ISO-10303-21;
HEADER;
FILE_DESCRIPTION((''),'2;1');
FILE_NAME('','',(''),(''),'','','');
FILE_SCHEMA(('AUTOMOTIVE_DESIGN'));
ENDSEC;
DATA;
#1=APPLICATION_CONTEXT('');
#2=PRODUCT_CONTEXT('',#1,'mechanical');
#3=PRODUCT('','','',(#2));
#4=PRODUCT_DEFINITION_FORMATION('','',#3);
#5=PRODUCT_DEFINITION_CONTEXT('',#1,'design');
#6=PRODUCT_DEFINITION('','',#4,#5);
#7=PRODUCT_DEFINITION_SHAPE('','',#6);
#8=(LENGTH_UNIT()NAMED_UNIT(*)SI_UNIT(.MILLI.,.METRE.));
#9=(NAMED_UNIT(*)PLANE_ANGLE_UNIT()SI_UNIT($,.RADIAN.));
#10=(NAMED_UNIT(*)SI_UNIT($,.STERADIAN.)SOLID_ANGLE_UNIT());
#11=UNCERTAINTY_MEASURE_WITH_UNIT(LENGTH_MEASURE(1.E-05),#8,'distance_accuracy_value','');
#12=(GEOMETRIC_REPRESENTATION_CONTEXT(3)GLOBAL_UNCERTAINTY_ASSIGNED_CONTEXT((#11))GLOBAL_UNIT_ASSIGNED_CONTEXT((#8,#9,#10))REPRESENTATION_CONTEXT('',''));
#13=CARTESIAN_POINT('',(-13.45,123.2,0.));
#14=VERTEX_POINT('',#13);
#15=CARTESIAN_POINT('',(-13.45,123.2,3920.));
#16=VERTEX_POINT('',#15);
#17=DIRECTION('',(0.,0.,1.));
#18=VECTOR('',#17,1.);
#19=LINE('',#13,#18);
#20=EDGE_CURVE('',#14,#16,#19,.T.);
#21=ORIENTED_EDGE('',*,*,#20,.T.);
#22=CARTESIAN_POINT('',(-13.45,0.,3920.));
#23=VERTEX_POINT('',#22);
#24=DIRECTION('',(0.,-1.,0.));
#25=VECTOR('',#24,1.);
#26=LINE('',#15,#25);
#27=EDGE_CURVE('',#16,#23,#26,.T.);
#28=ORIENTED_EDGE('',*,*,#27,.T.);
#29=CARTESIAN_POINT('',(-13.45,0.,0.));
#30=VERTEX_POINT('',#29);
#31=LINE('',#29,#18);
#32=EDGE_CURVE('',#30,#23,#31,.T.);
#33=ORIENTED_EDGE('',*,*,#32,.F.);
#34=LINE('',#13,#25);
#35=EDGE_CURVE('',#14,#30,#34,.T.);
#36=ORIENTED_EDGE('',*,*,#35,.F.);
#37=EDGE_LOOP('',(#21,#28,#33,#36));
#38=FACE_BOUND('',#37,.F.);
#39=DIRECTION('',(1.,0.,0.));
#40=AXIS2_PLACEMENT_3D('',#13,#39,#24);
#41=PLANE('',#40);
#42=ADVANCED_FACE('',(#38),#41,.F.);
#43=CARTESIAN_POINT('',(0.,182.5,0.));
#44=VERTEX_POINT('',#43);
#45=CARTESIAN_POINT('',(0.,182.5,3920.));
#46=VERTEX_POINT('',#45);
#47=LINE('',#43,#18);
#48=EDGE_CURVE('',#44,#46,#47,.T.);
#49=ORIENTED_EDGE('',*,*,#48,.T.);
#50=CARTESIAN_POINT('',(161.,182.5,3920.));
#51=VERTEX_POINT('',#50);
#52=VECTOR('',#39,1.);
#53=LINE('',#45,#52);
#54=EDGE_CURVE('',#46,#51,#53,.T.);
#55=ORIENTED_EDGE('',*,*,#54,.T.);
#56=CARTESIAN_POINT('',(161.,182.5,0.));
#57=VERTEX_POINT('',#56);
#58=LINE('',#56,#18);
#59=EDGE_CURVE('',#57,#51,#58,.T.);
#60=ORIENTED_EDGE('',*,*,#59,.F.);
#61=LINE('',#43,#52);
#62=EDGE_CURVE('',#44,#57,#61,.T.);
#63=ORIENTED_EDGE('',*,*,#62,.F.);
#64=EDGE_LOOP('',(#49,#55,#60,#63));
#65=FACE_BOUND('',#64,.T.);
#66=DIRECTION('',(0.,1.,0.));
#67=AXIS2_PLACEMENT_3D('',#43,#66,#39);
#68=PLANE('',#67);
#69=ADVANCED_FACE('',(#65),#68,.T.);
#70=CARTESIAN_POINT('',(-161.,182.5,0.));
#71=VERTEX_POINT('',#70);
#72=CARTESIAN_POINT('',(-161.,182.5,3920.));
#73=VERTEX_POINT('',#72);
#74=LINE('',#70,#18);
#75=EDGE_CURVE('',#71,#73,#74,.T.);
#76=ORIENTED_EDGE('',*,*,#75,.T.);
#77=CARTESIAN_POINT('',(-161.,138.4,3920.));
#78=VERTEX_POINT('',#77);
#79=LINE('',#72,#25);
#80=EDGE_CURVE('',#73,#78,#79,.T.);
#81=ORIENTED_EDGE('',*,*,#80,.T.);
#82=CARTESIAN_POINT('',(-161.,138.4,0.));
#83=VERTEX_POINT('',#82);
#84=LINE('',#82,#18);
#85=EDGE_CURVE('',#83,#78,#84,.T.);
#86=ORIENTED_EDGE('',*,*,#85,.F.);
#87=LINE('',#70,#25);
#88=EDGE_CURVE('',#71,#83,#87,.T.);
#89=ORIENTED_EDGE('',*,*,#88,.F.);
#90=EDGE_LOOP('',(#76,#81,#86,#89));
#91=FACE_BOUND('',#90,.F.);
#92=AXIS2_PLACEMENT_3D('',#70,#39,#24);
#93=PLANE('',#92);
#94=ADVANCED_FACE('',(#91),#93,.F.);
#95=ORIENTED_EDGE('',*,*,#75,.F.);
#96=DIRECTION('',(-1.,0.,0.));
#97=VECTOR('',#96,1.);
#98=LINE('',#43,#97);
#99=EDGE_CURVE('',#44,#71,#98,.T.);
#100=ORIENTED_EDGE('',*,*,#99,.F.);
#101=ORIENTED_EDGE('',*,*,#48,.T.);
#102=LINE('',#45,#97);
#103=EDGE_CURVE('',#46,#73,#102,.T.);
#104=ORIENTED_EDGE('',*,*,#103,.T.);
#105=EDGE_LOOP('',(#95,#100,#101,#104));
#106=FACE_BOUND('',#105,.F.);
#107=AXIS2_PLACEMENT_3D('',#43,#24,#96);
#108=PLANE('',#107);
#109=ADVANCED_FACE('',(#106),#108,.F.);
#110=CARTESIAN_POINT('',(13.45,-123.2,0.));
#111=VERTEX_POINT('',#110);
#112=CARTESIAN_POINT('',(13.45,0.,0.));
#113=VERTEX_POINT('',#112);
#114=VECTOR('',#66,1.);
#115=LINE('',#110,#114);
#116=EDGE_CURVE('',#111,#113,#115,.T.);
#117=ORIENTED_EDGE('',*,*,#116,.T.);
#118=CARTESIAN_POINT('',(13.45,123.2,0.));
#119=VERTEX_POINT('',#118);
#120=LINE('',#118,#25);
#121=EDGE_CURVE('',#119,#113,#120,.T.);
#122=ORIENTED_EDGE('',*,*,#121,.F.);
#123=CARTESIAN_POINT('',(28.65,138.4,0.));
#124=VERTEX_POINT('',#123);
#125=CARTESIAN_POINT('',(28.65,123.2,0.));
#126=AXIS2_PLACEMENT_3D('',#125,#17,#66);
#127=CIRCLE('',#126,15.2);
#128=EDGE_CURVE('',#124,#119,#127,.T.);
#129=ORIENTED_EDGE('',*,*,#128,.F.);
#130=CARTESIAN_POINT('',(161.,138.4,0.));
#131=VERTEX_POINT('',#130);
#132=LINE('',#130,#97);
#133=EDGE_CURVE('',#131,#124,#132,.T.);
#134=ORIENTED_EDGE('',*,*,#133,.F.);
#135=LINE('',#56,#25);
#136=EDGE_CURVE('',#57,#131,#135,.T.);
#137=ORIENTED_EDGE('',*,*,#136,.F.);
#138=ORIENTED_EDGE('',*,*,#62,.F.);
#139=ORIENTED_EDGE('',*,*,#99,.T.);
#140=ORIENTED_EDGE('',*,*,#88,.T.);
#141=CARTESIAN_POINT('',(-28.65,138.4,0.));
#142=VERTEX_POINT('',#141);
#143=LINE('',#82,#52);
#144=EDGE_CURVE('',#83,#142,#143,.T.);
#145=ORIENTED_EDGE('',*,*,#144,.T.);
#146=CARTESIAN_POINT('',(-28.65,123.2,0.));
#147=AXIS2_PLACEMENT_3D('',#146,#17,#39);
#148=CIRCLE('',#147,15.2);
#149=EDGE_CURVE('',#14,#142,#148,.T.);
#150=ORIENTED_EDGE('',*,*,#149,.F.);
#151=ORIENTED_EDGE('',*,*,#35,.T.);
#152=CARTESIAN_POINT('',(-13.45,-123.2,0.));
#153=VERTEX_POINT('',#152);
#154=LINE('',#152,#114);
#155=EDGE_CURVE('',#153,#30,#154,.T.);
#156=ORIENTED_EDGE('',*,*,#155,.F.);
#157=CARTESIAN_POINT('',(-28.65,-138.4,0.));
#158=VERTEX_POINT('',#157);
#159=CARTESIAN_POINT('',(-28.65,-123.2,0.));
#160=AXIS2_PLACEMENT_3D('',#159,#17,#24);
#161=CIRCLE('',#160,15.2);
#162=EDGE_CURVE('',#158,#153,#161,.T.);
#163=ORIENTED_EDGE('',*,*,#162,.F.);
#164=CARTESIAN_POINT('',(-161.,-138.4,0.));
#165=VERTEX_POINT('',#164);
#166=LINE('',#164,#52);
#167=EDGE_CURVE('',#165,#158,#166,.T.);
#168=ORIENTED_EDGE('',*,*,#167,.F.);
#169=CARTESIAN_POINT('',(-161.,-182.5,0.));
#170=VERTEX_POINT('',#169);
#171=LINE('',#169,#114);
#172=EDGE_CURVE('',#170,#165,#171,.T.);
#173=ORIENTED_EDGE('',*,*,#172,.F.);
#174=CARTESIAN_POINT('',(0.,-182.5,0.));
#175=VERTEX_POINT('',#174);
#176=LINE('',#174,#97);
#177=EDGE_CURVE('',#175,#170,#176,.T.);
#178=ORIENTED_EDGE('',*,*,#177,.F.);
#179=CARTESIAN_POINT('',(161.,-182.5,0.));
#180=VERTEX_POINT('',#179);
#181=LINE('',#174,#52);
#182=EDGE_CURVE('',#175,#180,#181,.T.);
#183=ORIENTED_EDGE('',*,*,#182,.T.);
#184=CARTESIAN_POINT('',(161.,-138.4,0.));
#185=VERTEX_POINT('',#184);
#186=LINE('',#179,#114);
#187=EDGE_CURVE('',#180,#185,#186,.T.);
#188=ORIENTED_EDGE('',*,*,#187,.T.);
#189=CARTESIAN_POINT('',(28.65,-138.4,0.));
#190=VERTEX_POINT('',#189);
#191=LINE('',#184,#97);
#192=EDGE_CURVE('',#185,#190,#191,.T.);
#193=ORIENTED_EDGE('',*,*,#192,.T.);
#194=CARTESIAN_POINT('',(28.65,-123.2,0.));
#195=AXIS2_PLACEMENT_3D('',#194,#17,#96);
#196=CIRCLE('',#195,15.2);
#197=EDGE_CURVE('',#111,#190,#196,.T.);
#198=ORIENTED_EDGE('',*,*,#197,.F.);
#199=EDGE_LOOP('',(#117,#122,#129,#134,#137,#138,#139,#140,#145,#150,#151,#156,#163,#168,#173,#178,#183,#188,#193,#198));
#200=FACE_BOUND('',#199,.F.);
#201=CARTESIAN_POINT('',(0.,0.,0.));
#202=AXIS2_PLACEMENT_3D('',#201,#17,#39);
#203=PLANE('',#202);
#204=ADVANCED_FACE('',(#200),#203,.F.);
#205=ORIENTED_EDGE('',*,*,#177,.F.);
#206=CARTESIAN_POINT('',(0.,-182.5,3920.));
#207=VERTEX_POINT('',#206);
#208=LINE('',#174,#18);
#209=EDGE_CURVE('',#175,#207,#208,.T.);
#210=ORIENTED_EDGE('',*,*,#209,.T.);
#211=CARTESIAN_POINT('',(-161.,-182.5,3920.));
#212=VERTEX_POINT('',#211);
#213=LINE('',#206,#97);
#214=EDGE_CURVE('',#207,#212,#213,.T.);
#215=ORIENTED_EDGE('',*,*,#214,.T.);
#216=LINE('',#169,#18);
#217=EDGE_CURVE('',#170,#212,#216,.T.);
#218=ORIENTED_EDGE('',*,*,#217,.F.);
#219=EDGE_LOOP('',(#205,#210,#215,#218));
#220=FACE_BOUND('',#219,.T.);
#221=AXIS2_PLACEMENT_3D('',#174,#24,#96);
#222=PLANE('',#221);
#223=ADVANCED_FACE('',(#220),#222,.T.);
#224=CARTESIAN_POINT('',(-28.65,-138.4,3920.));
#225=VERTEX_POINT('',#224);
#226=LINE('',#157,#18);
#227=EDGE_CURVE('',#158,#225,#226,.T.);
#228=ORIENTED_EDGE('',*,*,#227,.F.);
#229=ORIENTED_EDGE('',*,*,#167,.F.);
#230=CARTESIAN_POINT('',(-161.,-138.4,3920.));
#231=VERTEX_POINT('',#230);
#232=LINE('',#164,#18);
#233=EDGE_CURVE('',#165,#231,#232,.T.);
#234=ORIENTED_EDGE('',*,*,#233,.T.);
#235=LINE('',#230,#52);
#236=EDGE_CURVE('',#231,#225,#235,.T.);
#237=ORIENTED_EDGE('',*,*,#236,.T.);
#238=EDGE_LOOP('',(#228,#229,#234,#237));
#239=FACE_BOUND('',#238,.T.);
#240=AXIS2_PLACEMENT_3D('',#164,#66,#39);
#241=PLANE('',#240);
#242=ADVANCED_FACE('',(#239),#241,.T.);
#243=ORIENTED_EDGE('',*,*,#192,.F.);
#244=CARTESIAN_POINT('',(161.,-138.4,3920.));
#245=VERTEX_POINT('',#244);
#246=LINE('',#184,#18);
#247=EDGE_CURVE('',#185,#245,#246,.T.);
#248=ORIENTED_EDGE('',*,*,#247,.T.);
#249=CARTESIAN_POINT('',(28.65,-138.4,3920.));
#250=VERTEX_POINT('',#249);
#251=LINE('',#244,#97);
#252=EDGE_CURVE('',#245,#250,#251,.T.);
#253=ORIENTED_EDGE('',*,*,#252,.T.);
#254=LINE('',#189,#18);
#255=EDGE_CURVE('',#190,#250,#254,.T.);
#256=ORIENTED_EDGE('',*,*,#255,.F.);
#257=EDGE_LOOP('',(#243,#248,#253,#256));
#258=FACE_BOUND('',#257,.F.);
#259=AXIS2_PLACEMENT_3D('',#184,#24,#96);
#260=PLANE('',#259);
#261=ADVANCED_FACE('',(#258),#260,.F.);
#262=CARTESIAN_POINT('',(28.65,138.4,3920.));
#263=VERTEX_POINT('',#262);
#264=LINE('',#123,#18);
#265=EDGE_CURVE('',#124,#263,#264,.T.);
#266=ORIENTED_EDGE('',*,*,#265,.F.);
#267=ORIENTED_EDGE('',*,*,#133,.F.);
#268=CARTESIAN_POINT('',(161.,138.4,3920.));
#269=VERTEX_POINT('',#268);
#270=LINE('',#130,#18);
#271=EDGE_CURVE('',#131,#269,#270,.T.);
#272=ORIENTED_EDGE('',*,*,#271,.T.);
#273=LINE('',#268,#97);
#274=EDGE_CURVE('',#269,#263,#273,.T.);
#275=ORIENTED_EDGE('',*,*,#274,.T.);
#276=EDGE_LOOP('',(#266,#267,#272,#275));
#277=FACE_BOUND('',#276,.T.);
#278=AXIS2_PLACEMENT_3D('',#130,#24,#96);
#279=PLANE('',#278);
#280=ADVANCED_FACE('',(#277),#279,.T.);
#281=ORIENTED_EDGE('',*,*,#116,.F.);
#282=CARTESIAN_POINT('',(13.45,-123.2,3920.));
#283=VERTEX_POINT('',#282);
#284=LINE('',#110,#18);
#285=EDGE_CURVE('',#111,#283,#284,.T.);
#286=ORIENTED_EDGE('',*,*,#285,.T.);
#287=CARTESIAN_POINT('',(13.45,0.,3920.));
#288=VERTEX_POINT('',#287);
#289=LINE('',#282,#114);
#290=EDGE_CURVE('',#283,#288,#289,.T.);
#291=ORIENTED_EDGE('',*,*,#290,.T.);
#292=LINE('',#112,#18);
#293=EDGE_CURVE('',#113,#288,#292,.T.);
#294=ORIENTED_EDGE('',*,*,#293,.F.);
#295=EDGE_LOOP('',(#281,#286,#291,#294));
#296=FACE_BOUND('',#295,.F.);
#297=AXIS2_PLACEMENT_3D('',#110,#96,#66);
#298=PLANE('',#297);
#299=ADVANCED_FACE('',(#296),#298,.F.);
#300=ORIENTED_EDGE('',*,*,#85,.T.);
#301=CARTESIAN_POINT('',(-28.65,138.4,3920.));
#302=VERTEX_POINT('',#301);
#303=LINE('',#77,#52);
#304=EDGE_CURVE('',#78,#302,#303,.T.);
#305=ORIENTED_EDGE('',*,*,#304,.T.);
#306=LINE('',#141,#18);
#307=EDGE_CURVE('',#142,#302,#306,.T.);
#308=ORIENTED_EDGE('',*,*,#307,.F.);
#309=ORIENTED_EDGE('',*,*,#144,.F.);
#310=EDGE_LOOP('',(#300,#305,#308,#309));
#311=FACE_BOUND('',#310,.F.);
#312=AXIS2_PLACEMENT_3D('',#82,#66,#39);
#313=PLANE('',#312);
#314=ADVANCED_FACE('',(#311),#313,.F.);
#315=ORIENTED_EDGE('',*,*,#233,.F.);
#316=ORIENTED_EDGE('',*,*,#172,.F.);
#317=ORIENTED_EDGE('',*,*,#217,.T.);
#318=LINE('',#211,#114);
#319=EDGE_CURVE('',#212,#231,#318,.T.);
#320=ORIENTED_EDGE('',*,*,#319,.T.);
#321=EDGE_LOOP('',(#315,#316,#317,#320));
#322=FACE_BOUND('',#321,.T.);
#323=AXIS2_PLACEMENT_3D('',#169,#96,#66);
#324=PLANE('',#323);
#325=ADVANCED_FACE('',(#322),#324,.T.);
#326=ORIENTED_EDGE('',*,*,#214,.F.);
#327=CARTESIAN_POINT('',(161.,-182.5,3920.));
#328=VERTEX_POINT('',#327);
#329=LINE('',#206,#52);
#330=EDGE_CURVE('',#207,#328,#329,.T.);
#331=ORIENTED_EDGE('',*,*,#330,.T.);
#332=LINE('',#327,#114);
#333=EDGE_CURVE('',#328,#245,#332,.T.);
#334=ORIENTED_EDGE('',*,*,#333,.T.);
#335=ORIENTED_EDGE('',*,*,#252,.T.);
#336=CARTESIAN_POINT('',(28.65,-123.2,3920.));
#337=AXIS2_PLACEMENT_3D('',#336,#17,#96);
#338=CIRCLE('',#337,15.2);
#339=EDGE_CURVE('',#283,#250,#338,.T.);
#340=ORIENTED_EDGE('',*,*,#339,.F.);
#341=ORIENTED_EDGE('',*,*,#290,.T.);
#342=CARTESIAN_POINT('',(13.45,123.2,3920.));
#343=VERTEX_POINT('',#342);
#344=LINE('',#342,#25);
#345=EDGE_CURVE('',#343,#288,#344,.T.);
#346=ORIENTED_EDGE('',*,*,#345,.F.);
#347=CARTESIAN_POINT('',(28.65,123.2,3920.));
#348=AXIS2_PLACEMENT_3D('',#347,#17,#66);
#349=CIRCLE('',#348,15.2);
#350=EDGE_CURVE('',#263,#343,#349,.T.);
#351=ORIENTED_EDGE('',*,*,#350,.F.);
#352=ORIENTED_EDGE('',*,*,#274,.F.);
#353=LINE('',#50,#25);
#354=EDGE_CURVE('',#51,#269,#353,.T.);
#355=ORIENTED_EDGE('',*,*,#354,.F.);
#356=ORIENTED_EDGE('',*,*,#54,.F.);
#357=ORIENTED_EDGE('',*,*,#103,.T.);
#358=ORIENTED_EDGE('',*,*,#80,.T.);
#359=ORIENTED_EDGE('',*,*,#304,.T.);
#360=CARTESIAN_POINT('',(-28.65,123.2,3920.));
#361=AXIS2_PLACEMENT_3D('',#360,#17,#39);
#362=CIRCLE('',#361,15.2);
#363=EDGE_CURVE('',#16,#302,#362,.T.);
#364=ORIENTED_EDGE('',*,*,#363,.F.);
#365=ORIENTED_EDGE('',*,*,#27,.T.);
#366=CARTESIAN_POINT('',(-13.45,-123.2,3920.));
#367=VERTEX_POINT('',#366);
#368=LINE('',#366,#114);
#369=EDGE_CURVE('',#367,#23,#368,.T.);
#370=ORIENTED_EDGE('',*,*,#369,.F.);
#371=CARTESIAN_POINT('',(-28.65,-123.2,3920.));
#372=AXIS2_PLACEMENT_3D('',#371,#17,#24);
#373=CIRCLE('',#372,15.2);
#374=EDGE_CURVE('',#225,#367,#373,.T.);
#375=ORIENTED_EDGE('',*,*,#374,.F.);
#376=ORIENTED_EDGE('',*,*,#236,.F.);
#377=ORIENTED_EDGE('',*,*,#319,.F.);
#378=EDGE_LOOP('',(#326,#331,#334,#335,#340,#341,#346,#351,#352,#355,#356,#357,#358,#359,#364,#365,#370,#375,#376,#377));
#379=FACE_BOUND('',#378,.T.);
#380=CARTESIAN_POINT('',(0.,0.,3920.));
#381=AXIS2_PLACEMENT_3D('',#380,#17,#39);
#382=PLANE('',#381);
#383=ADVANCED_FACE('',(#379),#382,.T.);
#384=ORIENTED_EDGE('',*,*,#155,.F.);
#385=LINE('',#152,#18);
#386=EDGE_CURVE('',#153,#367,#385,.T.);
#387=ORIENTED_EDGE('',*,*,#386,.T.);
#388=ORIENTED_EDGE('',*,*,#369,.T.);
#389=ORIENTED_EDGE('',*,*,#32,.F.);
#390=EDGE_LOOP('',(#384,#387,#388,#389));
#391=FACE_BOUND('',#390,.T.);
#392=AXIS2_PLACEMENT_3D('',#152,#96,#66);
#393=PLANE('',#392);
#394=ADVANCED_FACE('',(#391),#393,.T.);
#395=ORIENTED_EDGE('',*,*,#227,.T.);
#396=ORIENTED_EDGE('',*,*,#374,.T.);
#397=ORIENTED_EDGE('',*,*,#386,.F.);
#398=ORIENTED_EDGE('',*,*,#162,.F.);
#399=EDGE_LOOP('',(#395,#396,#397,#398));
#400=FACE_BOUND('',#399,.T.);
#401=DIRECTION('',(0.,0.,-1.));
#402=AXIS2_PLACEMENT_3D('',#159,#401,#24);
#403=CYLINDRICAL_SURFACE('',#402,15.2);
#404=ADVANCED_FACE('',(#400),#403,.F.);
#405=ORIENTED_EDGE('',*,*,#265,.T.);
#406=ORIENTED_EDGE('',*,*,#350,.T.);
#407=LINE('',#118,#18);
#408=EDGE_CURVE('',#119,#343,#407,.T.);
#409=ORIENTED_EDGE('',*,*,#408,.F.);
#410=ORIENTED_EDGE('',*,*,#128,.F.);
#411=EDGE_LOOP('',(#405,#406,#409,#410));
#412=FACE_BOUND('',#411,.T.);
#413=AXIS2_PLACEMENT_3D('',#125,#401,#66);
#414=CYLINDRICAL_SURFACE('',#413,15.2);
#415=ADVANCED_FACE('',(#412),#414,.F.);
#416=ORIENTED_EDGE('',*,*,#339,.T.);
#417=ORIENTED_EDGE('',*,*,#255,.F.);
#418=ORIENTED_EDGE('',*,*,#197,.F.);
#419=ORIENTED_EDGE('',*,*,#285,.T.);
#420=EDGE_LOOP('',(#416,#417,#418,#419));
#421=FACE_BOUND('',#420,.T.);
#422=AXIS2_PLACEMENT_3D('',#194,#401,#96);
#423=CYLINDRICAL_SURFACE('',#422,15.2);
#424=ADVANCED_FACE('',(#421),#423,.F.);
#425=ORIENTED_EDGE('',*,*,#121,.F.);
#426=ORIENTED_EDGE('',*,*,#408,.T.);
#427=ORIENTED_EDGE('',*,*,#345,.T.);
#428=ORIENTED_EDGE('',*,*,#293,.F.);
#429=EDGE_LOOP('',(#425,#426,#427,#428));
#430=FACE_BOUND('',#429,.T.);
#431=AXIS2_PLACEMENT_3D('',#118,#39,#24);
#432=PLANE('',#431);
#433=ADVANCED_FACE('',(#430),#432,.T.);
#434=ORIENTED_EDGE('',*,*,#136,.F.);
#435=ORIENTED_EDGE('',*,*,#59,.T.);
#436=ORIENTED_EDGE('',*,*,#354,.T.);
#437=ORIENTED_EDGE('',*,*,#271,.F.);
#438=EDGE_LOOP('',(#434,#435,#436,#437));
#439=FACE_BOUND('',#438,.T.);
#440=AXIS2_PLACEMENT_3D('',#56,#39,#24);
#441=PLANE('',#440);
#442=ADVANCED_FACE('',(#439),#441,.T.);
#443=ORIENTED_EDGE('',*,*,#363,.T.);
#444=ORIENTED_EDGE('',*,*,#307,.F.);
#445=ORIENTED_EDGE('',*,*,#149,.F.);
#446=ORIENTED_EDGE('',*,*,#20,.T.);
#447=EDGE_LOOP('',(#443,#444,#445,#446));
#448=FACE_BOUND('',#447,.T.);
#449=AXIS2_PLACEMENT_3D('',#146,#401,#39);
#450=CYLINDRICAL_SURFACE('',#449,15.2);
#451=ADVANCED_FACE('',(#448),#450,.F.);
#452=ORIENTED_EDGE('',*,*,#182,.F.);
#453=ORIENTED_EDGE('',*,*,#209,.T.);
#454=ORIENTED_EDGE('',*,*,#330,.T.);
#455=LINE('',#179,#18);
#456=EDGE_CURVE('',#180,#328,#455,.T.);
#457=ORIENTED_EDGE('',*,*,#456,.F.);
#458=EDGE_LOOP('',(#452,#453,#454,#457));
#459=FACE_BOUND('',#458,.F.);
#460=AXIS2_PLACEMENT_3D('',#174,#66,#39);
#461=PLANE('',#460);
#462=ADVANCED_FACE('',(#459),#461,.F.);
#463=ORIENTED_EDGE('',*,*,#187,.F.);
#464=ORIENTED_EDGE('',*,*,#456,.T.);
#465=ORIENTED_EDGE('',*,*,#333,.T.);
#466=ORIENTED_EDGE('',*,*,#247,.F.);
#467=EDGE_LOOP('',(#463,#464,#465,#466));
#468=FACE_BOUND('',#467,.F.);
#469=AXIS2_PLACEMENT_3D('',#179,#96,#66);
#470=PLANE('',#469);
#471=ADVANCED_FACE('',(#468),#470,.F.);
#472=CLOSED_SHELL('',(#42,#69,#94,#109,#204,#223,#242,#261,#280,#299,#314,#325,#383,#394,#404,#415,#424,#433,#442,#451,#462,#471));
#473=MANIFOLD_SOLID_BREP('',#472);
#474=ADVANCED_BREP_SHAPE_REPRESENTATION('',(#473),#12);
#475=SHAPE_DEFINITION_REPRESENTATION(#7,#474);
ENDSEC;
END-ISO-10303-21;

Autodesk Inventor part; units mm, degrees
ref_plane "YZ Plane" through (0, 0, 0) normal (1, 0, 0) x (0, 1, 0)
ref_plane "Start plane" through (0, 0, 0) normal (0, 0, 1) x (1, 0, 0)
ref_plane "End plane" through (0, 0, 3920) normal (0, 0, 1) x (1, 0, 0)
sketch "Sketch" plane through (0, 0, 0) normal (0, 0, 1) x (1, 0, 0)
  line L0 (-161, -182.5) -> (-161, -138.4)
  line L1 (-161, -138.4) -> (-28.65, -138.4)
  line L2 (-13.45, -123.2) -> (-13.45, 0)
  line L3 (-13.45, 0) -> (0, 0) construction
  line L4 (0, 0) -> (0, -182.5) construction
  line L5 (0, -182.5) -> (-161, -182.5)
  line L6 (-60, 0) -> (80, 0) construction
  line L7 (0, -60) -> (0, 80) construction
  line L8 (161, -182.5) -> (161, -138.4)
  line L9 (161, -138.4) -> (28.65, -138.4)
  line L10 (13.45, -123.2) -> (13.45, 0)
  line L11 (13.45, 0) -> (0, 0) construction
  line L12 (0, -182.5) -> (161, -182.5)
  line L13 (-161, 182.5) -> (-161, 138.4)
  line L14 (-161, 138.4) -> (-28.65, 138.4)
  line L15 (-13.45, 123.2) -> (-13.45, 0)
  line L16 (0, 182.5) -> (-161, 182.5)
  line L17 (161, 182.5) -> (161, 138.4)
  line L18 (161, 138.4) -> (28.65, 138.4)
  line L19 (0, 182.5) -> (161, 182.5)
  line L20 (13.45, 123.2) -> (13.45, 0)
  arc A0 (-13.45, 123.2) -> (-28.65, 138.4) centre (-28.65, 123.2) ccw
  arc A1 (28.65, 138.4) -> (13.45, 123.2) centre (28.65, 123.2) ccw
  arc A2 (13.45, -123.2) -> (28.65, -138.4) centre (28.65, -123.2) ccw
  arc A3 (-28.65, -138.4) -> (-13.45, -123.2) centre (-28.65, -123.2) ccw
  line L21 (0, 108) -> (0, -88) construction
  line L22 (-88, 0) -> (108, 0) construction
  point P0 (-13.45, -138.4)
  point P1 (13.45, -138.4)
  point P2 (-13.45, 138.4)
  point P3 (13.45, 138.4)
  dimension "d1" = 182.5
  dimension "d2" = 44.1
  dimension "d3" = 161
  dimension "d4" = 13.45
  dimension "d10" = 15.2
extrude "Body" add sketch "Sketch" along normal up to surface (3920 mm away) from surface at 0
sketch "Sketch4" plane through (0, 0, 0) normal (0, 0, 1) x (1, 0, 0)
  line L0 (0, 0) -> (10, 0)
ref_plane "Work Plane3" through (0, 0, 0) normal (0, -1, 0) x (1, 0, 0)
sketch "Sketch5" plane through (0, 0, 0) normal (0, -1, 0) x (1, 0, 0)
  line L0 (-2, 0) -> (12, 0) projected
  line L1 (-2, 3920) -> (12, 3920) projected
  dimension "d14" = 3920
equation "\"d1\" = 0.5 * G_H"
equation "\"d2\" = G_T1"
equation "\"d3\" = 0.5 * G_W"
equation "\"d4\" = 0.5 * G_T"
equation "\"d10\" = G_IR"
equation "\"d5\" = G_L"
equation "\"G_W\" = 322"
equation "\"G_H\" = 365"
equation "\"G_T\" = 26.9"
equation "\"G_T1\" = 44.1"
equation "\"G_IR\" = 15.2"
equation "\"G_L\" = d14"
equation "\"G_OFFSET_START\" = 0"
equation "\"G_OFFSET_END\" = 0"
properties part number "AS 3679 - 310 UC - 283 - 3920" material "Steel, Mild"
